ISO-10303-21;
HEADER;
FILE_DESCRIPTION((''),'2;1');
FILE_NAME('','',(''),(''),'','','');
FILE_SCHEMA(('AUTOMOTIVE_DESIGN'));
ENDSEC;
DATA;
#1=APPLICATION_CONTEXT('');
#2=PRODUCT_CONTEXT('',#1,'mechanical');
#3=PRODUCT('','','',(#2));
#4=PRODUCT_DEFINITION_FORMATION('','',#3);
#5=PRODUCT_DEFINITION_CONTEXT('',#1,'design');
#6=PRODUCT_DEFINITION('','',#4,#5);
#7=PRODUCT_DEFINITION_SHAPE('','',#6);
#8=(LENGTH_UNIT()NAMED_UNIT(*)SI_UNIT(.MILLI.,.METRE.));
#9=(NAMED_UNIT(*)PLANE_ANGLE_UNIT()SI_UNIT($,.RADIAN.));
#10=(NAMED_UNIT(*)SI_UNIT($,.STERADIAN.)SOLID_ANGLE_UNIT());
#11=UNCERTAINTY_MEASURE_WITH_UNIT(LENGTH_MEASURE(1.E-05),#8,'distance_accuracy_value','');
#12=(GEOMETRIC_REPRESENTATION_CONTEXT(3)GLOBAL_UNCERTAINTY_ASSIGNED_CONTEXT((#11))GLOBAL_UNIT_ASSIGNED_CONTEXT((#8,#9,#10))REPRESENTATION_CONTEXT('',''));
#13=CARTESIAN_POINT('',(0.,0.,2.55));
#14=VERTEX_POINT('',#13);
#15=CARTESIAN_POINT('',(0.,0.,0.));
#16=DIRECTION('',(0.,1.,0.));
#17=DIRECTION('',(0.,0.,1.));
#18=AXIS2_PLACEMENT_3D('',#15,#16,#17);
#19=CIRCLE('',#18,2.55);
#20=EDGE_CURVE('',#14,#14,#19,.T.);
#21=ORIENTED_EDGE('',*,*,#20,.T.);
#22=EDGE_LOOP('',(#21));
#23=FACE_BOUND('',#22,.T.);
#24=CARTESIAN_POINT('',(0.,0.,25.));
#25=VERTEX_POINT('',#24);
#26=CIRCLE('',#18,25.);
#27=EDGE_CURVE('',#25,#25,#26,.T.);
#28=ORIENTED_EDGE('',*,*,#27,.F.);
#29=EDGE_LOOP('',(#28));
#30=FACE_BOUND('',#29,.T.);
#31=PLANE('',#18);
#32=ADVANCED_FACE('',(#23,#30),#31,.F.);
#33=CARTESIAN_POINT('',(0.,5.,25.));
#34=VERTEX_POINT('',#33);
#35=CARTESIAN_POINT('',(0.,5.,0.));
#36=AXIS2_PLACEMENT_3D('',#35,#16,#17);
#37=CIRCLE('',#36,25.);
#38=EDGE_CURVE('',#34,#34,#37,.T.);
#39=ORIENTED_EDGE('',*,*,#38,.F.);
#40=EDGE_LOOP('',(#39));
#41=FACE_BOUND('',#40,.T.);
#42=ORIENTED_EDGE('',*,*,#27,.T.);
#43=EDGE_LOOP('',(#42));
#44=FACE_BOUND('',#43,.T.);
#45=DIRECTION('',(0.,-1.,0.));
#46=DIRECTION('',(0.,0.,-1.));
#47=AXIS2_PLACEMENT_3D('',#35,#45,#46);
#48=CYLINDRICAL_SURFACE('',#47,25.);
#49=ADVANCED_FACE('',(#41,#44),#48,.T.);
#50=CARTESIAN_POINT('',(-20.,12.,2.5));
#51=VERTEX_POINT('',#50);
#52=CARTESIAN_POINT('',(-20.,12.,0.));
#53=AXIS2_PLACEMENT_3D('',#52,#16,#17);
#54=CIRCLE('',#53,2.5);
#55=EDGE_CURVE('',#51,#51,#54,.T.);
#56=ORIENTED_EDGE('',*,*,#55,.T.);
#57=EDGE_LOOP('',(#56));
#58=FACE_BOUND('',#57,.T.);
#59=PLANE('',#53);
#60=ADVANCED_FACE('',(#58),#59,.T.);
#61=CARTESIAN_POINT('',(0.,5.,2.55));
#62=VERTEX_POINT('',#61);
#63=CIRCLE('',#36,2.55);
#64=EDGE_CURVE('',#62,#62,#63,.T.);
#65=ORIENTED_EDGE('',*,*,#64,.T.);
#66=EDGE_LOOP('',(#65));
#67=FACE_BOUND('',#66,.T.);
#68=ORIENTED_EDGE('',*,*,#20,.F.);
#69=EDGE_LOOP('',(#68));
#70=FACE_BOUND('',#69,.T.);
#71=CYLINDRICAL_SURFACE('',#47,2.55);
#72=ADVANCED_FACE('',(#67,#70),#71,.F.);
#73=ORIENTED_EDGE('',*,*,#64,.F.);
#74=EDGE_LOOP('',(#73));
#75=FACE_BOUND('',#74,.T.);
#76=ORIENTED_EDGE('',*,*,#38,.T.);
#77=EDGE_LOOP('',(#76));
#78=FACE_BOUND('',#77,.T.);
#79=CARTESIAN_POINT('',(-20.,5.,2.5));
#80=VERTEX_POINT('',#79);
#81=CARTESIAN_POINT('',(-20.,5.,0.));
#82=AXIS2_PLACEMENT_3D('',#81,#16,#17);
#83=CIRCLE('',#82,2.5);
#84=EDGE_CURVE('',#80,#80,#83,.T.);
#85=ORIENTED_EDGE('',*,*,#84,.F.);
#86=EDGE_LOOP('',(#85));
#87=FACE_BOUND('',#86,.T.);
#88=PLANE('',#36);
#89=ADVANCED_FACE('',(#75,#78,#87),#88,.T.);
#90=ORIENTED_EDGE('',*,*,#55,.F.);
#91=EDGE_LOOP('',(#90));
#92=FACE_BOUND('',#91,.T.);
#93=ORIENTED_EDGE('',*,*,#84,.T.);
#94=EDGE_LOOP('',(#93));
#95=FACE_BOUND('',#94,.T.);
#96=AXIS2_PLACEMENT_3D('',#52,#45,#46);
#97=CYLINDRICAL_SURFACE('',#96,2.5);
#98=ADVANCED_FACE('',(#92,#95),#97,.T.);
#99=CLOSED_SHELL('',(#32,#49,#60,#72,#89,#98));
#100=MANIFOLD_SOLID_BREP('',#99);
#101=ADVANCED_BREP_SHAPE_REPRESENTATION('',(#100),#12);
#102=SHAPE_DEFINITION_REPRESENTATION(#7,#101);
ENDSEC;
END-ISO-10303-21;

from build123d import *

# Parameters (mm, degrees)
SKETCH_1_R      = 25
SKETCH_1_R_2    = 2.55
EXTRUDE_1_DEPTH = 5
SKETCH_2_R      = 2.5
EXTRUDE_2_DEPTH = 7


with BuildPart() as part:
    # 草圖1 → 填料-伸長1 (new body)
    with BuildSketch(Plane(origin=(0, 0, 0), x_dir=(1, 0, 0), z_dir=(0, 1, 0))):
        with Locations(Location((0, 0, 0), (0, 0, 270))):
            Circle(SKETCH_1_R)
        with Locations(Location((0, 0, 0), (0, 0, 270))):
            Circle(SKETCH_1_R_2, mode=Mode.SUBTRACT)
    extrude(amount=EXTRUDE_1_DEPTH)

    # 草圖2 → 填料-伸長2 (add)
    with BuildSketch(Plane(origin=(0, 5, 0), x_dir=(1, 0, 0), z_dir=(0, 1, 0))):
        with Locations(Location((-20, 0, 0), (0, 0, 270))):
            Circle(SKETCH_2_R)
    extrude(amount=EXTRUDE_2_DEPTH)


solid = part.part
